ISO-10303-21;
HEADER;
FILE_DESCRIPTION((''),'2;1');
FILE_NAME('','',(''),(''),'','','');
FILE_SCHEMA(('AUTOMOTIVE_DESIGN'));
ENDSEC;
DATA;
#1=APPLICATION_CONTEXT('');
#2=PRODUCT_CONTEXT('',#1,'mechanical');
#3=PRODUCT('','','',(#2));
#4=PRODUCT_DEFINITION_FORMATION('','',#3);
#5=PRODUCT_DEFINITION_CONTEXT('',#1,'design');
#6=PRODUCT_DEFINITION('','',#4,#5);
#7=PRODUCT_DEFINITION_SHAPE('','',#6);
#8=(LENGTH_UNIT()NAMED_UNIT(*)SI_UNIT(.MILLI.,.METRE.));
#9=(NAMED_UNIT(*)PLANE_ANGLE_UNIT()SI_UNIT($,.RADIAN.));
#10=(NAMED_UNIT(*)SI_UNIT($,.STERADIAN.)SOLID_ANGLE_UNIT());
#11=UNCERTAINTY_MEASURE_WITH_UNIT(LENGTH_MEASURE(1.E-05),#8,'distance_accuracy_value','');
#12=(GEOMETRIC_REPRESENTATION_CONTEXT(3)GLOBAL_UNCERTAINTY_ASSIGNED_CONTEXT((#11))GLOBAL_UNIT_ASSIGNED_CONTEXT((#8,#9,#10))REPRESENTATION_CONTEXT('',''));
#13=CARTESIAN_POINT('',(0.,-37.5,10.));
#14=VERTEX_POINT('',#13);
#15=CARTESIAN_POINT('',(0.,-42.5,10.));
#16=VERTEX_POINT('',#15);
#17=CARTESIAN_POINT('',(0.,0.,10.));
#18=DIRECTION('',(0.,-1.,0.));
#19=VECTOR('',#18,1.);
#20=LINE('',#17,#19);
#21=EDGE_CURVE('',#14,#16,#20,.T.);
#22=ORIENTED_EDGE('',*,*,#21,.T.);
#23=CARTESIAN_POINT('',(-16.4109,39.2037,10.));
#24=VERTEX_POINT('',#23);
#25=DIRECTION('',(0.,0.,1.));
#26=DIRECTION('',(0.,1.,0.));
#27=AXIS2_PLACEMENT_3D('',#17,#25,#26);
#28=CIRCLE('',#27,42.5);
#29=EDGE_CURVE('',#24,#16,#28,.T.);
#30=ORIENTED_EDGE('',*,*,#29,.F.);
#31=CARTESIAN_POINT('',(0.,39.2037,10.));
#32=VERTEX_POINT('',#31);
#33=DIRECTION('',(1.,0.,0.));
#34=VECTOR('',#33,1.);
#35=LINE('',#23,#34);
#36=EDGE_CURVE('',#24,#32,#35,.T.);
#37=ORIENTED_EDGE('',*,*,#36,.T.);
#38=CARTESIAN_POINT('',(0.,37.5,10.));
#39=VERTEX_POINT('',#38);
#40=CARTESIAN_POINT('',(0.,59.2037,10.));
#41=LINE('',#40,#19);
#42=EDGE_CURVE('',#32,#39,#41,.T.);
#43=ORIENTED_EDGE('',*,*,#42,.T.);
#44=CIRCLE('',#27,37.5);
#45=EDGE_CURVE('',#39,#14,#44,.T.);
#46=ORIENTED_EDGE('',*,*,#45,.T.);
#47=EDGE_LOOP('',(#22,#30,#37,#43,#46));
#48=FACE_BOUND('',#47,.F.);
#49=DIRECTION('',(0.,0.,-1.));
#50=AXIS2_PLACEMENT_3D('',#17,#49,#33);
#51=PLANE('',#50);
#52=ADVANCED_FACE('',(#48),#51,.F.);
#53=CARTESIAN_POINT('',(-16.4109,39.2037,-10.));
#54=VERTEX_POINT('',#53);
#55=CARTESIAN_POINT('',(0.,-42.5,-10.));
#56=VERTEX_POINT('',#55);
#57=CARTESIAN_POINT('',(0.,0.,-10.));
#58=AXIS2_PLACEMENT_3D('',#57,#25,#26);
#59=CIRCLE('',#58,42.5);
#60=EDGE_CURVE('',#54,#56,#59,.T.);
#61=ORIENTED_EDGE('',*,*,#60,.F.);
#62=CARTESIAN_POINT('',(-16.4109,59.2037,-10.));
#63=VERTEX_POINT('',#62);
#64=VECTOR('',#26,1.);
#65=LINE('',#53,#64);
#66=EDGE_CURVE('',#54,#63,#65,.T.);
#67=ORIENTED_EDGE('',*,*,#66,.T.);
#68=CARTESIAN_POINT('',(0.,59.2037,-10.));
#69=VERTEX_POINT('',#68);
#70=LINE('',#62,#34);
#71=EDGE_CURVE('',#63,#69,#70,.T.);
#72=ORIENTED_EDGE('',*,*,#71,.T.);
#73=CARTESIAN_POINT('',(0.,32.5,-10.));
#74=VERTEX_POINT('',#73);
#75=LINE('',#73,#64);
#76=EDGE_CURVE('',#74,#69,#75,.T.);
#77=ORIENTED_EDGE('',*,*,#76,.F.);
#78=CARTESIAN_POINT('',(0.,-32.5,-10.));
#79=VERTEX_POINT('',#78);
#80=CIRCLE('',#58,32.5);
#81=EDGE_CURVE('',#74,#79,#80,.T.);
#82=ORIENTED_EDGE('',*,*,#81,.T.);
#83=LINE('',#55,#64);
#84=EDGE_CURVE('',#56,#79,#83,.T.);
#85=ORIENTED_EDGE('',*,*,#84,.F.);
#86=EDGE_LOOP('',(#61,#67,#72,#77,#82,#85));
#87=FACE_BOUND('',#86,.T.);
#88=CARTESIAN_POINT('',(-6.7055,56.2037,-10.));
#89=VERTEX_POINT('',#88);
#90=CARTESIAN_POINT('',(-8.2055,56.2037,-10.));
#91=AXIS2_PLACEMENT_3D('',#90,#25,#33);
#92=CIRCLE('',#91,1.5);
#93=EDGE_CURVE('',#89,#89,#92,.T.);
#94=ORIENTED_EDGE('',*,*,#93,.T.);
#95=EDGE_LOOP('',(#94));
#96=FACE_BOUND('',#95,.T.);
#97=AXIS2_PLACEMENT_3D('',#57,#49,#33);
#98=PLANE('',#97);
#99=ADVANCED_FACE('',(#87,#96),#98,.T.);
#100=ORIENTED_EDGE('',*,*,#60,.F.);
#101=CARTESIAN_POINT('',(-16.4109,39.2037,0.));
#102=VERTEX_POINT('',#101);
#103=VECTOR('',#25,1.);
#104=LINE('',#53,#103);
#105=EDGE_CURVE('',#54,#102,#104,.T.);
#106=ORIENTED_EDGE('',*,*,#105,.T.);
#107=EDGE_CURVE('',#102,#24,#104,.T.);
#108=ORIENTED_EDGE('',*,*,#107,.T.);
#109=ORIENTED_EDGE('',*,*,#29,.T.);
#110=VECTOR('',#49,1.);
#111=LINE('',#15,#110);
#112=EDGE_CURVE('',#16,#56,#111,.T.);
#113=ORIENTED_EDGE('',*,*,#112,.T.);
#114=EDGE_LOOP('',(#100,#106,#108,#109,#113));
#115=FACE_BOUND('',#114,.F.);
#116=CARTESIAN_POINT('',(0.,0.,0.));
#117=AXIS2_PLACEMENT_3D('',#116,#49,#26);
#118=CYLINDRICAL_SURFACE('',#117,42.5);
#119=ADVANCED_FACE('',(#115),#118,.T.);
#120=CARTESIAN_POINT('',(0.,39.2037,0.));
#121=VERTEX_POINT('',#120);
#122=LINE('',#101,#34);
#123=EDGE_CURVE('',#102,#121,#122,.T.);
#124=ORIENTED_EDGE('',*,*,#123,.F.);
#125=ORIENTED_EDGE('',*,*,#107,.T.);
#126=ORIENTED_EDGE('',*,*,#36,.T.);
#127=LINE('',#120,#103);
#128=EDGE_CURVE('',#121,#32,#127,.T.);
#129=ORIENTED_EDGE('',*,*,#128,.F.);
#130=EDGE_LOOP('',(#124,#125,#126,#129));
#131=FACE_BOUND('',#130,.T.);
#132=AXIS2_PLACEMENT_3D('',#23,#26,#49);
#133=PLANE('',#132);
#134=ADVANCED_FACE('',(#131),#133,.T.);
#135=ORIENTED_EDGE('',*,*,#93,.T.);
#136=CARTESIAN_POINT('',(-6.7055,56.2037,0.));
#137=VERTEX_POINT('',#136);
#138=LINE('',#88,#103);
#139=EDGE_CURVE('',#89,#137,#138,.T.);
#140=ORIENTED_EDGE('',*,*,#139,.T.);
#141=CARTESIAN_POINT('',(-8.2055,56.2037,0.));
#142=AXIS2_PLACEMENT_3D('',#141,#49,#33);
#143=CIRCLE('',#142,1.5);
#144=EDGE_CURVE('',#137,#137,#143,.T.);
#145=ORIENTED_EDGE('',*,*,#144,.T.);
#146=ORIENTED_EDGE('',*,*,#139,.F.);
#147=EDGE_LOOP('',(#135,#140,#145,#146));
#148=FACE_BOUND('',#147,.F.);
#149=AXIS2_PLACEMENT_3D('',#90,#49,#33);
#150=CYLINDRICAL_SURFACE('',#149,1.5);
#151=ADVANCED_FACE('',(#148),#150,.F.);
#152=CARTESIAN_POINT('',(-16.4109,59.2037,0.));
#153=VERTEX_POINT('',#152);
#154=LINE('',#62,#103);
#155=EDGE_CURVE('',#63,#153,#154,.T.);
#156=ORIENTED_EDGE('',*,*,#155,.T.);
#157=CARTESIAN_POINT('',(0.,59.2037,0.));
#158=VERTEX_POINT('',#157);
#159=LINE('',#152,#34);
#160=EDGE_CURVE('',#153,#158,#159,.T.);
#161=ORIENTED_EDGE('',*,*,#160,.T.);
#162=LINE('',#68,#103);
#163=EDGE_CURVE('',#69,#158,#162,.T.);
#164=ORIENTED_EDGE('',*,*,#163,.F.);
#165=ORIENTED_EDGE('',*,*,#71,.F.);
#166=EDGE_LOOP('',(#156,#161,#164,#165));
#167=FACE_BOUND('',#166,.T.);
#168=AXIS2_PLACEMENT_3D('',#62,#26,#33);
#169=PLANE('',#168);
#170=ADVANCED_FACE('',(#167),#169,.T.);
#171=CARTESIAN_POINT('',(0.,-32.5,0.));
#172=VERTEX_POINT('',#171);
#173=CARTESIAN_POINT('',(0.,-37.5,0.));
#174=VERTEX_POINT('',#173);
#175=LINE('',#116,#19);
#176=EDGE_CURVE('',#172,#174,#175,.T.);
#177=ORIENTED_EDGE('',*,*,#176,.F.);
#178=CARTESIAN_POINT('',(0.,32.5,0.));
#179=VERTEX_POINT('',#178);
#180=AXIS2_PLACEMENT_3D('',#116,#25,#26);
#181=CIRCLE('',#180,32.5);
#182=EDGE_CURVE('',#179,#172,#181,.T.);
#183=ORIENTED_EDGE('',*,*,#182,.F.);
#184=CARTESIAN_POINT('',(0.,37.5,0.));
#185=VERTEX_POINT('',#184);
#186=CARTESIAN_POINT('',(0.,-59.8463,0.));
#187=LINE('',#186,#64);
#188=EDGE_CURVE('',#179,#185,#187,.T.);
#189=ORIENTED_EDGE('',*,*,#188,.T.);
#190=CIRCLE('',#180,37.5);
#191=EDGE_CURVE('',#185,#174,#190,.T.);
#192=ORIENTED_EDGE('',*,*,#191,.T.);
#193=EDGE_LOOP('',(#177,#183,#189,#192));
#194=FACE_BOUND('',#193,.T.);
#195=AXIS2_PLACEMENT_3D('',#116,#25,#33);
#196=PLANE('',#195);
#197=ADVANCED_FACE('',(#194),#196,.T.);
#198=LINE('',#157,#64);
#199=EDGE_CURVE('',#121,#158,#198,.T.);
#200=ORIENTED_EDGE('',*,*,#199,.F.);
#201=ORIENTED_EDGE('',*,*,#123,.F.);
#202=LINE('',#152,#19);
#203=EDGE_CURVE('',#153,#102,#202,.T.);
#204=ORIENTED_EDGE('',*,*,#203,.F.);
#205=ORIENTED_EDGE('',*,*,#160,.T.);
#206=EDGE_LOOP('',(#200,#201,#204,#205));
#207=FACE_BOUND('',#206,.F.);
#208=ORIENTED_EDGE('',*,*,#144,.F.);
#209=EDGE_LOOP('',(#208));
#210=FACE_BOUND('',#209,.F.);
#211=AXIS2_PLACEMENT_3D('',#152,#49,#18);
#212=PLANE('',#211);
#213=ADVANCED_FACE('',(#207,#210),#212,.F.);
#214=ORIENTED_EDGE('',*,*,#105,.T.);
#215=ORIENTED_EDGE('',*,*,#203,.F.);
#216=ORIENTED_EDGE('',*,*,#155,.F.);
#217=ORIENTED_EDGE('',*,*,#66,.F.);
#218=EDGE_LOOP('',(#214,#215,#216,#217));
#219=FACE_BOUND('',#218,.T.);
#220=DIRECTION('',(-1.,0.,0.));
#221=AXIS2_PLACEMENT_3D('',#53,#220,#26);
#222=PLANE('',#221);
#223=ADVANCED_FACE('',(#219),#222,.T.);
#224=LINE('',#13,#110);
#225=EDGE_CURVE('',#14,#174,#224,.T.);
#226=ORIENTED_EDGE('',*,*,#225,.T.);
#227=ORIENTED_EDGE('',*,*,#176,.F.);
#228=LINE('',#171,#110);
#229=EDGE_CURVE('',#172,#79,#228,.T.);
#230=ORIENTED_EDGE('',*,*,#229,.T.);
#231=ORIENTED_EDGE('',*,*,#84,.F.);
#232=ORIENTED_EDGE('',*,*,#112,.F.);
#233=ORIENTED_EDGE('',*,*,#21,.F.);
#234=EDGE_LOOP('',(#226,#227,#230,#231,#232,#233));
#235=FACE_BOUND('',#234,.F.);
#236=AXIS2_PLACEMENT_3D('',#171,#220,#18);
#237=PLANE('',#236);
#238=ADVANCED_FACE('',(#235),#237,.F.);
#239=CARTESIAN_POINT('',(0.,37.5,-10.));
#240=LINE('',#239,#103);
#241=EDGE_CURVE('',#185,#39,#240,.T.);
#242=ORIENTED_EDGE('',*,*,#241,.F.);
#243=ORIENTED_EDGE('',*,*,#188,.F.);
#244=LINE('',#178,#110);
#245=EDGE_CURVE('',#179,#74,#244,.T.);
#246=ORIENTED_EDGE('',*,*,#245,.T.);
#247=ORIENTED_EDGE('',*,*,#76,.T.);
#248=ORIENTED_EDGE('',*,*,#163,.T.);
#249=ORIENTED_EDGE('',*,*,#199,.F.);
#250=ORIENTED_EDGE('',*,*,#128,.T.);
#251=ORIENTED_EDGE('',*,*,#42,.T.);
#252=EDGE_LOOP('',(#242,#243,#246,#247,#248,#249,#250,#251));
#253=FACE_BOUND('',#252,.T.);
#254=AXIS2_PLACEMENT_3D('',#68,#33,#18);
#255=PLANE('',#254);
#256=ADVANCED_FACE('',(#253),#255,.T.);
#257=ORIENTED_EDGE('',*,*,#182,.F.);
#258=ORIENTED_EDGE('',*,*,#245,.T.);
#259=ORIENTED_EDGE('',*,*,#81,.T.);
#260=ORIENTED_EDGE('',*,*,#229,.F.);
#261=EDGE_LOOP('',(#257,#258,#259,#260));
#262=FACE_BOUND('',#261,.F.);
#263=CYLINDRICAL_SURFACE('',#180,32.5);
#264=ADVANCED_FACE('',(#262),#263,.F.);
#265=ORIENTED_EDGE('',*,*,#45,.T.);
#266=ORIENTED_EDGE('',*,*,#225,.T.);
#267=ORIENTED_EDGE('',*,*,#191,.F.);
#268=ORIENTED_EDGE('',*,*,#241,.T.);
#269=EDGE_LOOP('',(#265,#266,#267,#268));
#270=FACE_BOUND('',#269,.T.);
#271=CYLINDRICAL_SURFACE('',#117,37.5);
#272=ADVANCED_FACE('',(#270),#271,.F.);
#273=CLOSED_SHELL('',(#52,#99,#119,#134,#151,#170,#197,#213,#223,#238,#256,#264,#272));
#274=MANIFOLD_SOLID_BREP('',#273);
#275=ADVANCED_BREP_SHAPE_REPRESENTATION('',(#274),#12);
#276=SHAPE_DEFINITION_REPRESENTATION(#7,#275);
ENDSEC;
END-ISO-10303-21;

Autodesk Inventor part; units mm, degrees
ref_plane "YZ Plane" through (0, 0, 0) normal (1, 0, 0) x (0, 1, 0)
ref_plane "XZ Plane" through (0, 0, 0) normal (0, 1, 0) x (-1, 0, 0)
ref_plane "XY Plane" through (0, 0, 0) normal (0, 0, 1) x (1, 0, 0)
sketch "草圖1" plane through (0, 0, 0) normal (0, 0, 1) x (1, 0, 0)
  arc A0 (0, 32.5) -> (0, -32.5) centre (0, 0) ccw
  arc A1 (0, 37.5) -> (0, -37.5) centre (0, 0) ccw
  arc A2 (0, 42.5) -> (0, -42.5) centre (0, 0) ccw
  line L0 (0, 0) -> (0, -59.8463)
  line L1 (0, -59.8463) -> (0, 72.1748)
  point P0 (0, -37.5)
  point P1 (0, -42.5)
  dimension "d22" = 32.5
  dimension "d23" = 37.5
  dimension "d24" = 42.5
extrude "擠出1" add sketch "草圖1" against normal blind 10 contours A0 L0 A1 L1
extrude "擠出2" add sketch "草圖1" along normal mid plane 20 contours A1 L0 A2 L1
sketch "草圖2" plane through (0, 0, -10) normal (0, 0, -1) x (1, 0, 0)
  line L0 (0, -42.5) -> (0, -32.5) projected
  line L1 (0, -42.5) -> (0, -32.5)
  arc A0 (0, 42.5) -> (0, -42.5) centre (0, 0) ccw projected
  line L2 (-16.4109, -59.2037) -> (0, -59.2037)
  line L3 (0, -59.2037) -> (0, -42.5)
  line L4 (-16.4109, -39.2037) -> (-16.4109, -59.2037)
  dimension "d4" = 10
  dimension "d16" = 20
extrude "擠出3" add sketch "草圖2" against normal blind 20
sketch "草圖4" plane through (0, 0, -10) normal (0, 0, -1) x (1, 0, 0)
  line L0 (3, 24.6083) -> (3, 21.6083)
  line L1 (0, -59.2037) -> (0, -32.5) projected
  line L2 (0, 21.6083) -> (3, 21.6083)
  circle A0 centre (3, 21.6083) radius 1.5
  line L3 (0, -59.2037) -> (-16.4109, -59.2037) projected
  line L4 (-16.4109, -59.2037) -> (-8.2055, -59.2037)
  line L5 (-8.2055, -56.2037) -> (-8.2055, -59.2037)
  line L6 (-16.4109, -59.2037) -> (-16.4109, -39.2037) projected
  circle A1 centre (-8.2055, -56.2037) radius 1.5
  point P0 (0, 0)
  point P1 (0, 24.3333)
  point P2 (0, 13.1972)
  point P3 (0, -15.5384)
  dimension "d10" = 3
  dimension "d11" = 3
  dimension "d12" = 3
  dimension "d17" = 3
  dimension "d18" = 3
extrude "擠出4" cut sketch "草圖4" against normal blind 20 contours A1
sketch "草圖6" plane through (-16.4109, 39.2037, -10) normal (-1, 0, 0) x (0, 0, 1)
  line L0 (0, 20) -> (20, 20) projected
  line L1 (20, 20) -> (10, 20)
  line L2 (10, 20) -> (10, 0)
  line L3 (20, 0) -> (0, 0) projected
  line L4 (20, 20) -> (20, 0) projected
  line L5 (10, 20) -> (20, 20)
  line L6 (20, 20) -> (20, 0)
  line L7 (20, 0) -> (10, 0)
  line L8 (10, 0) -> (10, 20)
  point P0 (10, -39.2037)
  dimension "d19" = 10
extrude "擠出5" cut sketch "草圖6" against normal blind 20
properties part number "ARML"
